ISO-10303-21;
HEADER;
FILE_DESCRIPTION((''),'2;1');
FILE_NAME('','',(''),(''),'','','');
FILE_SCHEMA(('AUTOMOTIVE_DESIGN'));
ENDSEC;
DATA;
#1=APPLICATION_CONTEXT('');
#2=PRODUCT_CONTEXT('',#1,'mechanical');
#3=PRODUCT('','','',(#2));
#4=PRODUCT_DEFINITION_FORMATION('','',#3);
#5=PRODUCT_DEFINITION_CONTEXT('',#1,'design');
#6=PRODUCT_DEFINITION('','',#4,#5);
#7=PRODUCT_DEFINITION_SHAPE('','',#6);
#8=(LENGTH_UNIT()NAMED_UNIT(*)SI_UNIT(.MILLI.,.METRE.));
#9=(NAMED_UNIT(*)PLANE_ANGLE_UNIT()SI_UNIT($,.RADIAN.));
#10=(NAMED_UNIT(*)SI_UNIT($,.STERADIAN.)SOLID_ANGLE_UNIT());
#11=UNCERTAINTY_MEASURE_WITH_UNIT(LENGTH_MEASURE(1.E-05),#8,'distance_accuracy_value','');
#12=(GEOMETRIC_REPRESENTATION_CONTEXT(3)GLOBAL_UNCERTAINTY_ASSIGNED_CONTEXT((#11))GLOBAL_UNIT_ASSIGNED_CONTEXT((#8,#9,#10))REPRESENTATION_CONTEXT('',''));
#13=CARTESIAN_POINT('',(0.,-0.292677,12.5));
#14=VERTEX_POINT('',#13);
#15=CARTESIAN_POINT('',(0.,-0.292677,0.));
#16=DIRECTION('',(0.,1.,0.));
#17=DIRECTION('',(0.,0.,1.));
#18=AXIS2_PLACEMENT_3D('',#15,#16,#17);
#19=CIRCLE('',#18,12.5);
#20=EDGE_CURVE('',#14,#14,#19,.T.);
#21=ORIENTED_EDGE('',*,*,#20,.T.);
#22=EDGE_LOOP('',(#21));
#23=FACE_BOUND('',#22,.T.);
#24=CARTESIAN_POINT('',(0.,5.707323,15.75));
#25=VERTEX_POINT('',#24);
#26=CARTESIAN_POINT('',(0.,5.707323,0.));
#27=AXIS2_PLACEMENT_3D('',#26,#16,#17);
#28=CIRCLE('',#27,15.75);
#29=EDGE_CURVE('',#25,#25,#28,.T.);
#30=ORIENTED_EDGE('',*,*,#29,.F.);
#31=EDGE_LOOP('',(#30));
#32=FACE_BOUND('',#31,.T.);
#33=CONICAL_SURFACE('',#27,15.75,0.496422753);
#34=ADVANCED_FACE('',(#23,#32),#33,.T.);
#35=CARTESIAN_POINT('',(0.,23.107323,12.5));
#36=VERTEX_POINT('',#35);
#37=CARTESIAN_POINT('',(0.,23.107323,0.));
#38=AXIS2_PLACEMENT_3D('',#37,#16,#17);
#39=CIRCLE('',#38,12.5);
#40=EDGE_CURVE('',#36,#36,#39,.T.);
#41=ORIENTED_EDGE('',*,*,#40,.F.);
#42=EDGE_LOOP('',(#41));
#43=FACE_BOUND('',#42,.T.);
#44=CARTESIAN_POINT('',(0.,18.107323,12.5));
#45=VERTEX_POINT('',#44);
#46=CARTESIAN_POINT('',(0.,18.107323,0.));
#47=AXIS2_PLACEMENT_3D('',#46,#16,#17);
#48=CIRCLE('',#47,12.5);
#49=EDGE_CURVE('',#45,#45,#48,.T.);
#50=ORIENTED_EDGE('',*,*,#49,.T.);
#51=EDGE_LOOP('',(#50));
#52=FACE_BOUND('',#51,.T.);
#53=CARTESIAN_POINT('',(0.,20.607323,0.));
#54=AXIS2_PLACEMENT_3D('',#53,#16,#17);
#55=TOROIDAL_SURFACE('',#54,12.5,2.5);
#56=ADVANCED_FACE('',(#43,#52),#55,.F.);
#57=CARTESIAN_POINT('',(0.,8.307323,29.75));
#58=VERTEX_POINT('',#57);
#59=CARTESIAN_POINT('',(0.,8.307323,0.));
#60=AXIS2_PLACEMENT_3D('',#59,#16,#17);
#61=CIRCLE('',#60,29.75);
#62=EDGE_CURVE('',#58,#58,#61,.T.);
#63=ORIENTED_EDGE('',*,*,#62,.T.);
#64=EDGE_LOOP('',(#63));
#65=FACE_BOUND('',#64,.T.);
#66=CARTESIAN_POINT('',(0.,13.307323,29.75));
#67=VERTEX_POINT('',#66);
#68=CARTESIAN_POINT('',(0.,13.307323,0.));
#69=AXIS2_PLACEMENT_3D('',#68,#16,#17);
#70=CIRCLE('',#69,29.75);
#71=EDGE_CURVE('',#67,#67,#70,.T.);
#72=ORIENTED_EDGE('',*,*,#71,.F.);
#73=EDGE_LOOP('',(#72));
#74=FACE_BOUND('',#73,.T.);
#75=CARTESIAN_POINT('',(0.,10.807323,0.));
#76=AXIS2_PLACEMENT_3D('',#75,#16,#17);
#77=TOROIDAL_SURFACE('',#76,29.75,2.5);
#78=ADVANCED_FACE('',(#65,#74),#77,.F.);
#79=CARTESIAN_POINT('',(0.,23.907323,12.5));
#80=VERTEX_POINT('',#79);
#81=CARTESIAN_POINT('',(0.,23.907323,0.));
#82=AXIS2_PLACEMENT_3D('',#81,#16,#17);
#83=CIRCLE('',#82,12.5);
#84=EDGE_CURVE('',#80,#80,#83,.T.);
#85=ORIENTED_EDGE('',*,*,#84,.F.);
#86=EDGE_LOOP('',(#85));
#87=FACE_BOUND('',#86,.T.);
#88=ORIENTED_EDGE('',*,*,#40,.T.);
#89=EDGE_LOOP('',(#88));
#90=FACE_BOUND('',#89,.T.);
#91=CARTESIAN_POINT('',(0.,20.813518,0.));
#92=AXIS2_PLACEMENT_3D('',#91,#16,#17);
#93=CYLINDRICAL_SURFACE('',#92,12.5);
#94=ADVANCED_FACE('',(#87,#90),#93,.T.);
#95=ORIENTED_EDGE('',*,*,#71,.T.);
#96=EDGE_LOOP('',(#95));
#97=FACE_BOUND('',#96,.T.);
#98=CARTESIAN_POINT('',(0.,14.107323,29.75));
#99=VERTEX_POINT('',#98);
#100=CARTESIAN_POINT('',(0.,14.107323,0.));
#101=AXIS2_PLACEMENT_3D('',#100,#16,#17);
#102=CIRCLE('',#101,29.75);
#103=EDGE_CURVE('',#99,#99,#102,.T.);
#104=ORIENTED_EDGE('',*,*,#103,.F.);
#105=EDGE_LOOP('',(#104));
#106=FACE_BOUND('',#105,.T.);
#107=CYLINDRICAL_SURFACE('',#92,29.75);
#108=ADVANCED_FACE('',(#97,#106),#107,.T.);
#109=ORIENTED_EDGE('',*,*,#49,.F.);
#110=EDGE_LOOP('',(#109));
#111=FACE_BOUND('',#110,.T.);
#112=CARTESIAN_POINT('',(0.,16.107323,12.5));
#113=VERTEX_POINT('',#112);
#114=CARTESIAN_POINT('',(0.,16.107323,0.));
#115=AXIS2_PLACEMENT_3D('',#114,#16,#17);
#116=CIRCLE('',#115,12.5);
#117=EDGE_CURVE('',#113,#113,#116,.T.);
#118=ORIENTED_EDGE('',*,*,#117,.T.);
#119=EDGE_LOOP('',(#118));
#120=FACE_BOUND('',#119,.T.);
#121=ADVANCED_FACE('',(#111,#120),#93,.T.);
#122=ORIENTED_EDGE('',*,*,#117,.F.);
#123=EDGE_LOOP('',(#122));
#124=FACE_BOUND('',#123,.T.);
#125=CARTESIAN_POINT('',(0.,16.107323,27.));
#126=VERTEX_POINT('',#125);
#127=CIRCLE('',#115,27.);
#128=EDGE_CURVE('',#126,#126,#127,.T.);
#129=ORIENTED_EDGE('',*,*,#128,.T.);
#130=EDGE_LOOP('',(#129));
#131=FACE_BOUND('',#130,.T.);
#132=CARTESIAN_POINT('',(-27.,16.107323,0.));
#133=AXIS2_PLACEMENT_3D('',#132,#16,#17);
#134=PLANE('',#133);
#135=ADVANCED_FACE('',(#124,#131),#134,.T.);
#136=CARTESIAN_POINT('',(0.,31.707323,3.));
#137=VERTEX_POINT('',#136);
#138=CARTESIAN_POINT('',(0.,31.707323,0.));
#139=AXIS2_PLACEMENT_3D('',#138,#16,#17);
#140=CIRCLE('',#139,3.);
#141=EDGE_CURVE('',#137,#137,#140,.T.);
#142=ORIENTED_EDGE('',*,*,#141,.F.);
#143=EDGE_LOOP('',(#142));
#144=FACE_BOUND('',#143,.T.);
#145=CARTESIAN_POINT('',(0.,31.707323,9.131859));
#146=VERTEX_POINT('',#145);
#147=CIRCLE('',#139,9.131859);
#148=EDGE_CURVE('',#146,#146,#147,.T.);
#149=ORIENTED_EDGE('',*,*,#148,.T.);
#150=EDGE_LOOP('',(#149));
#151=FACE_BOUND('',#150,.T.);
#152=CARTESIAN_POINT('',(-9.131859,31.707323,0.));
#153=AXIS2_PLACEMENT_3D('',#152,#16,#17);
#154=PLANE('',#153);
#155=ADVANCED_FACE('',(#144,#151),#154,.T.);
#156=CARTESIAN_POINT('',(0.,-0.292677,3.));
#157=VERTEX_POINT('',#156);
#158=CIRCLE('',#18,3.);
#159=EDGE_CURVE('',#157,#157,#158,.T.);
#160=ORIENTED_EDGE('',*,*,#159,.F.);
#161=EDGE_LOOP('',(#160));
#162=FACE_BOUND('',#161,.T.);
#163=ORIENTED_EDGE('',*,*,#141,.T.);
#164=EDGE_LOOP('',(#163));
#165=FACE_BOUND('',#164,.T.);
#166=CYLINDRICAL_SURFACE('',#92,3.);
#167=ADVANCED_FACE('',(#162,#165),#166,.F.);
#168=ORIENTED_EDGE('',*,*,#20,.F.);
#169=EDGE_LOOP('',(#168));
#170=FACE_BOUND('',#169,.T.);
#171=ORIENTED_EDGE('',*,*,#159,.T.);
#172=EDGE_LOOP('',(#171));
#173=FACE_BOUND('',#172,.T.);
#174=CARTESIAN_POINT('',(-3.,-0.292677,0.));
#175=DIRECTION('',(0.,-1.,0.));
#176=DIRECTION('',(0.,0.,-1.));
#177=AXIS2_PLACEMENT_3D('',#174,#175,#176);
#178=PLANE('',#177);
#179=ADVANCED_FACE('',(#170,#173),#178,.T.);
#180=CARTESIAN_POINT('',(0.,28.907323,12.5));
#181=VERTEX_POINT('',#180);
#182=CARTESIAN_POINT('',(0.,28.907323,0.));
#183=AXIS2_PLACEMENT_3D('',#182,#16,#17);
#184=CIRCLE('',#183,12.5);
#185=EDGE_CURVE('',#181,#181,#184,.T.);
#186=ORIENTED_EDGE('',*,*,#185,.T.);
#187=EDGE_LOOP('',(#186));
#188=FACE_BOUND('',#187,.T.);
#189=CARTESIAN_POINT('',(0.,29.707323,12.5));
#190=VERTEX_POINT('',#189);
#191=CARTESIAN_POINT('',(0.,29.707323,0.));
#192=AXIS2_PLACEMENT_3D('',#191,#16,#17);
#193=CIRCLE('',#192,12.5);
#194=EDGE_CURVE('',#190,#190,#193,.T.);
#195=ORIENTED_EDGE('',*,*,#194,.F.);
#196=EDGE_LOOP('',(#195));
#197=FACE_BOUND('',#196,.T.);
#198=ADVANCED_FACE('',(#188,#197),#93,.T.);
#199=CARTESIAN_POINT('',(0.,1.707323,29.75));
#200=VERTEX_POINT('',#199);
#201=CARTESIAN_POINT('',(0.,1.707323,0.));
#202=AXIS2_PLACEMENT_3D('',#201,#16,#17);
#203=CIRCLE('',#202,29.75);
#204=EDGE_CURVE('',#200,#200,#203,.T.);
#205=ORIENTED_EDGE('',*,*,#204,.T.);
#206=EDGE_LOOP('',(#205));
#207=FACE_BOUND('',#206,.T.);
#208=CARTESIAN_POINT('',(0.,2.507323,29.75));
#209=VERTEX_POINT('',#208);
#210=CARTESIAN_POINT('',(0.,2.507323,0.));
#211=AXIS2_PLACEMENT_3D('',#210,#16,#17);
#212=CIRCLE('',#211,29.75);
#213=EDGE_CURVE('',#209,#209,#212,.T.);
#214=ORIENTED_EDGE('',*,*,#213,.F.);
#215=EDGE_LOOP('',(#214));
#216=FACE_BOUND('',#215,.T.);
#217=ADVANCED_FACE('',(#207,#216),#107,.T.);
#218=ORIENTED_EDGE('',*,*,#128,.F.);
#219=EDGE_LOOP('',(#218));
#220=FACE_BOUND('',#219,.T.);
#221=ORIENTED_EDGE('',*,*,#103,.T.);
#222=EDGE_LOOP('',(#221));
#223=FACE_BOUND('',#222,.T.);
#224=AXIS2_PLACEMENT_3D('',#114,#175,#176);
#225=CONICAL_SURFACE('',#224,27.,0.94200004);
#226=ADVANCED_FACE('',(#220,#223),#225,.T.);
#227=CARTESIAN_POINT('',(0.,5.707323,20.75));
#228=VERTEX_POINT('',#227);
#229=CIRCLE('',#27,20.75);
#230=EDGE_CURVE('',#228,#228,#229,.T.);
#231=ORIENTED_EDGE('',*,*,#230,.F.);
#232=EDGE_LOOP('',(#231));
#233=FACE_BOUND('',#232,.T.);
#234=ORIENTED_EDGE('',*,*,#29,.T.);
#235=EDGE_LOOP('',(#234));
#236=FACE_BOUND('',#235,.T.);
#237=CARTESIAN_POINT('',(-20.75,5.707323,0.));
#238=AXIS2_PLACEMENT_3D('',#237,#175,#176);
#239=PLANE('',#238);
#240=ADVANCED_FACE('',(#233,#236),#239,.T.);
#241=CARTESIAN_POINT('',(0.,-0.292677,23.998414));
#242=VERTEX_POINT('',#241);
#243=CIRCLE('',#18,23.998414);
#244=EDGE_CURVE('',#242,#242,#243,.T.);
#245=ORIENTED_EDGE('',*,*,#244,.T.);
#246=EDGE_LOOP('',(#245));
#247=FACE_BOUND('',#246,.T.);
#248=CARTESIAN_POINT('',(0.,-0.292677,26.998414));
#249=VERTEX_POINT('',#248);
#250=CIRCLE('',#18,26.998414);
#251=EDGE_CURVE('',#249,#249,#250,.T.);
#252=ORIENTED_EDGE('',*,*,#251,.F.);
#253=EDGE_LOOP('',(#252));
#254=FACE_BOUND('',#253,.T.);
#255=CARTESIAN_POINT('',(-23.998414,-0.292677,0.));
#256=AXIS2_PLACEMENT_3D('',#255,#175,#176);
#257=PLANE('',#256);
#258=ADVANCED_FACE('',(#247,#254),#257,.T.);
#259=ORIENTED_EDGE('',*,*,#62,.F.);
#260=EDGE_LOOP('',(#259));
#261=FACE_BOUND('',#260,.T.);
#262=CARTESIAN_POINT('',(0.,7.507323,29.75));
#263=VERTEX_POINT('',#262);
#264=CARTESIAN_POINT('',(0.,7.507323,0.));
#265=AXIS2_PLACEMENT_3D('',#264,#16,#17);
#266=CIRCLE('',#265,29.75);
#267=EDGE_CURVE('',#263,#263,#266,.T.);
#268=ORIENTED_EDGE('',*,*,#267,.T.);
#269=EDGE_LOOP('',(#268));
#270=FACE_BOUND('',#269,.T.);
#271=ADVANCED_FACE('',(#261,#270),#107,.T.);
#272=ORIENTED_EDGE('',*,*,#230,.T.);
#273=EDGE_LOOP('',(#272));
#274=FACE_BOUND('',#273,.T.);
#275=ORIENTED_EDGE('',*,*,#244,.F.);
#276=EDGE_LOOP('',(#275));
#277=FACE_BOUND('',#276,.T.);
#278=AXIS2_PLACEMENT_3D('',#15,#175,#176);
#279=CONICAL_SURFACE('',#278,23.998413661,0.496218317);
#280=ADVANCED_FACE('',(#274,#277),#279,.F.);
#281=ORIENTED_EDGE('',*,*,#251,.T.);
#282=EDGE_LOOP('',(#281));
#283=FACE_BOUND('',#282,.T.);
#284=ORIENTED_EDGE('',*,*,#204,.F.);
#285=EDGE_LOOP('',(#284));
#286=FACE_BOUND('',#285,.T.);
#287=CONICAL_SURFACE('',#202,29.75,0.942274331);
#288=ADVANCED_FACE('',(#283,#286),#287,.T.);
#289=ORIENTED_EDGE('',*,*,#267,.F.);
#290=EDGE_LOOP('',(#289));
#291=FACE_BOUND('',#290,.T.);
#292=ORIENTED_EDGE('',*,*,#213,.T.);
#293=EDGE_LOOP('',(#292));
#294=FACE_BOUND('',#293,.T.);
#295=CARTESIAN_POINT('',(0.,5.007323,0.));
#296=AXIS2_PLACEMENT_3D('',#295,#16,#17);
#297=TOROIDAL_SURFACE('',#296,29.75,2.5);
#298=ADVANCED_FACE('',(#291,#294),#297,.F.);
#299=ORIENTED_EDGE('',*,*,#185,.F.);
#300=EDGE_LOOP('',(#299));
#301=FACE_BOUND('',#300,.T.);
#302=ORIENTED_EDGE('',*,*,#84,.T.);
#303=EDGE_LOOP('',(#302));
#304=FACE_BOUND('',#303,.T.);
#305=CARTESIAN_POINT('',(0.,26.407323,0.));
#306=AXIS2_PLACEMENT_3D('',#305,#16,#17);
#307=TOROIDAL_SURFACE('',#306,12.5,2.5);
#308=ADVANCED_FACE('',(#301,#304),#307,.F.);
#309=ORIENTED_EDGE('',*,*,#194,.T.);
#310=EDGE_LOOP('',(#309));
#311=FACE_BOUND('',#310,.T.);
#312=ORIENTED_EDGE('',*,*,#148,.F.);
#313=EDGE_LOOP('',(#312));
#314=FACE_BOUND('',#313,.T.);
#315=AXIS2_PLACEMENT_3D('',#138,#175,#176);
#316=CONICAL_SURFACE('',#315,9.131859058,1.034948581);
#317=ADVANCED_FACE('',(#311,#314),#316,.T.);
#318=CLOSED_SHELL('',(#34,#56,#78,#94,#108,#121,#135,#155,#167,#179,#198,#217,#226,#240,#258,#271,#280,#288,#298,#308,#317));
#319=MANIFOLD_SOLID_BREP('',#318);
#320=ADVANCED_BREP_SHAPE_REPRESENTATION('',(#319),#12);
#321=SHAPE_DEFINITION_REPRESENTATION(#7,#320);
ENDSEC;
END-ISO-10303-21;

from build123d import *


with BuildPart() as part:
    # Sketch1 → Revolve1 (revolve)
    with BuildSketch(Plane.XY, mode=Mode.PRIVATE) as revolve1_sk:
        with BuildLine():
            Line((-3, -0.292676949), (-12.5, -0.292676949))
            Line((-12.5, -0.292676949), (-15.75, 5.707323051))
            Line((-15.75, 5.707323051), (-20.75, 5.707323051))
            Line((-20.75, 5.707323051), (-23.998413661, -0.292676949))
            Line((-23.998413661, -0.292676949), (-26.998413661, -0.292676949))
            Line((-26.998413661, -0.292676949), (-29.75, 1.707323051))
            Line((-29.75, 1.707323051), (-29.75, 2.507323051))
            ThreePointArc((-29.75, 2.507323051), (-27.25, 5.007323051), (-29.75, 7.507323051))
            Line((-29.75, 7.507323051), (-29.75, 8.307323051))
            ThreePointArc((-29.75, 8.307323051), (-27.25, 10.807323051), (-29.75, 13.307323051))
            Line((-29.75, 13.307323051), (-29.75, 14.107323051))
            Line((-29.75, 14.107323051), (-27, 16.107323051))
            Line((-27, 16.107323051), (-12.5, 16.107323051))
            Line((-12.5, 16.107323051), (-12.5, 18.107323051))
            ThreePointArc((-12.5, 18.107323051), (-10, 20.607323051), (-12.5, 23.107323051))
            Line((-12.5, 23.107323051), (-12.5, 23.907323051))
            ThreePointArc((-12.5, 23.907323051), (-10, 26.407323051), (-12.5, 28.907323051))
            Line((-12.5, 28.907323051), (-12.5, 29.707323051))
            Line((-12.5, 29.707323051), (-9.131859058, 31.707323051))
            Line((-9.131859058, 31.707323051), (-3, 31.707323051))
            Line((-3, 31.707323051), (-3, -0.292676949))
        make_face()
    revolve(revolve1_sk.sketch.rotate(Axis((0, 20.813518201, 0), (0, -1, 0)), 270), axis=Axis((0, 20.813518201, 0), (0, -1, 0)))


solid = part.part
